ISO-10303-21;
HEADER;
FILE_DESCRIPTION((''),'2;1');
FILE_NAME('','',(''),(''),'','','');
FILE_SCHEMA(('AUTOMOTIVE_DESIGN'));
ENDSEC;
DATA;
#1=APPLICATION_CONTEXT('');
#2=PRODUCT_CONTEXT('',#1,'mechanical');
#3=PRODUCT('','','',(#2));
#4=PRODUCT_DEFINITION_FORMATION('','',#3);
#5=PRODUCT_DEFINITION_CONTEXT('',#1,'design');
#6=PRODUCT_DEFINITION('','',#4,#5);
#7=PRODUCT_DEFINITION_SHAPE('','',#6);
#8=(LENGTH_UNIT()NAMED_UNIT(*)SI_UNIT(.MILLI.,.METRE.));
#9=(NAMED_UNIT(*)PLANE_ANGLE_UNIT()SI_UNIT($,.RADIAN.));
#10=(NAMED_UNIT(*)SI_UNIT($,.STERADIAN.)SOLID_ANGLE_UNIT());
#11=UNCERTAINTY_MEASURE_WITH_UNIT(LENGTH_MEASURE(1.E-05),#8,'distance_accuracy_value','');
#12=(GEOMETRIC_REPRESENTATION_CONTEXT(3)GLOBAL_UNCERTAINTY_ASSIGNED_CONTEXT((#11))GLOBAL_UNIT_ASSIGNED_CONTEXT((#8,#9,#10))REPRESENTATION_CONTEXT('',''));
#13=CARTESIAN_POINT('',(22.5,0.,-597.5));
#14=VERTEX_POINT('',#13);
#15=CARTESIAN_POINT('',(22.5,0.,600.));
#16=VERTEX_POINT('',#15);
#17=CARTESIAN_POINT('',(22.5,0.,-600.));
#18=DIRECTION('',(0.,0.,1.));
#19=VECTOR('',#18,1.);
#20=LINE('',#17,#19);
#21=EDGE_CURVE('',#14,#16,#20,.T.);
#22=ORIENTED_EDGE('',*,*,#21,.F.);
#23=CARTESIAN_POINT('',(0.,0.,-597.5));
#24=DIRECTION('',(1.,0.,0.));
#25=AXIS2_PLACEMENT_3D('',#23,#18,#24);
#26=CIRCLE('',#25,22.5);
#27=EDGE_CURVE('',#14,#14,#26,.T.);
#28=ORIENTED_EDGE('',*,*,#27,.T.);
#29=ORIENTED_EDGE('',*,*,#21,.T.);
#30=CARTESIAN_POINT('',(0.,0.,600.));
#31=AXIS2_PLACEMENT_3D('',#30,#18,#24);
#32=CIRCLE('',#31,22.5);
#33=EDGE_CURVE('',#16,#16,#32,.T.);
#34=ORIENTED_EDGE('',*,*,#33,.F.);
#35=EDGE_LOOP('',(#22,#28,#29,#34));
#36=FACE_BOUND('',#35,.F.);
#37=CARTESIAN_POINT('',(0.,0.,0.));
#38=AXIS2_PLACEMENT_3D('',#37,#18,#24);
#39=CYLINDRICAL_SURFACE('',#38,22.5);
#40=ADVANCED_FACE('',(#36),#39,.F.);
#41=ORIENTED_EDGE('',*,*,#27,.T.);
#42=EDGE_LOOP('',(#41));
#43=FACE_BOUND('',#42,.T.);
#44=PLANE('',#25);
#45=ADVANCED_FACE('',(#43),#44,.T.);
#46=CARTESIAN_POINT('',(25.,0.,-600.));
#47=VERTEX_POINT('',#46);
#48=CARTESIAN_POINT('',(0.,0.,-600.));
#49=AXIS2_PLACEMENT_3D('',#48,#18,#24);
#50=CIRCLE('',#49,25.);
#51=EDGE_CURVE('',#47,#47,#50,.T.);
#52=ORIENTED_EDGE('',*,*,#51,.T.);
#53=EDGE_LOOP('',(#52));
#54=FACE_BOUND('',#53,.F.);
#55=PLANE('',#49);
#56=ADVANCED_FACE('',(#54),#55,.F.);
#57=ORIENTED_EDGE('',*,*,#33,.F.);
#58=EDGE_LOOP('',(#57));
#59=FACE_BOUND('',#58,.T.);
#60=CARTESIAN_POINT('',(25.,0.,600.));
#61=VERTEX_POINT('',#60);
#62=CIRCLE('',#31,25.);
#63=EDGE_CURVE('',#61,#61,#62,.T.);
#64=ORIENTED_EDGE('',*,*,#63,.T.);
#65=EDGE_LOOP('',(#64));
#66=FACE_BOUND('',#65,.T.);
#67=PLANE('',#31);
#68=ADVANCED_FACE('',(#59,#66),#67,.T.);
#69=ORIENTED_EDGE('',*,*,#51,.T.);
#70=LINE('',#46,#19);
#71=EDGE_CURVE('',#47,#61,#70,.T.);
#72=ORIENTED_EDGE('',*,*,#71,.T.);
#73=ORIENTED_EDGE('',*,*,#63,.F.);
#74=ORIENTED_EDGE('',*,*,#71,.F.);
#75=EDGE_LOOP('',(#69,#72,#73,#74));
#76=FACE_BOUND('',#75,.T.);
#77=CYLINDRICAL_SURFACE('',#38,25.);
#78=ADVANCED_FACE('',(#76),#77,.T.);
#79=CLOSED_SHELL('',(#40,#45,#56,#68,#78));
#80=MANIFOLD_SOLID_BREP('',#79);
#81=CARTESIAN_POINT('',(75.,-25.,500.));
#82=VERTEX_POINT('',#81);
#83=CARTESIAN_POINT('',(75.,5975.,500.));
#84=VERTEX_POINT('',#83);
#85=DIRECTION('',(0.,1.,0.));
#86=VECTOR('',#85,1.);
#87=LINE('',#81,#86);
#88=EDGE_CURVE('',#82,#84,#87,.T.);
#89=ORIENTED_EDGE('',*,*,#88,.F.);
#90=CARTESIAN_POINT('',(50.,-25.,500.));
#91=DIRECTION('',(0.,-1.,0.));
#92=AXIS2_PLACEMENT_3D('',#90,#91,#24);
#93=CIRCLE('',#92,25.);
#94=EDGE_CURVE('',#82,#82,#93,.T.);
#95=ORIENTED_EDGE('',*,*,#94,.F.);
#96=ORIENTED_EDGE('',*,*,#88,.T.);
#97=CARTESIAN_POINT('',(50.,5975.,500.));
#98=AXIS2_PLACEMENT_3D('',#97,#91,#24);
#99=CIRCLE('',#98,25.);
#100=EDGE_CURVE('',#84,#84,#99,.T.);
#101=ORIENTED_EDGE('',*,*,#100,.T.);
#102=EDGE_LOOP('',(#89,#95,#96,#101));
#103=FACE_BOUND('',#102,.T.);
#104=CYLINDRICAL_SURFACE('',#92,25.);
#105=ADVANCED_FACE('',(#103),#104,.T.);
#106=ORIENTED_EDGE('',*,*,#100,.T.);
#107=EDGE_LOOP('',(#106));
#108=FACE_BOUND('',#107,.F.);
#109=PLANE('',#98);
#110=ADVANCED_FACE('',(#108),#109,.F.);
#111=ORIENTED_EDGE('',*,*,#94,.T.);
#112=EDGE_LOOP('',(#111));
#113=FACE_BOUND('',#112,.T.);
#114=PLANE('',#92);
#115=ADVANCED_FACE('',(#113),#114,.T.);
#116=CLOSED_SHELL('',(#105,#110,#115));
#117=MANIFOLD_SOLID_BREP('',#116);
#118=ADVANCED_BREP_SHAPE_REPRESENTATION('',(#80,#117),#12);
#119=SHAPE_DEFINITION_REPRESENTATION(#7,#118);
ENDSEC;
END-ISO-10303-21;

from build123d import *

# Parameters (mm, degrees)
F0_R     = 25
F1_DEPTH = 600
F2_T     = -2.5
F4_R     = 25
F5_DEPTH = 6000


with BuildPart() as f1:
    # F0 (on Top) → F1 (new body, symmetric)
    with BuildSketch(Plane.XY):
        Circle(F0_R)
    extrude(amount=F1_DEPTH, both=True)

    # F2
    f2_openings = [f1.faces().sort_by_distance(p)[0] for p in [
        (0, 0, 600),
    ]]
    offset(amount=F2_T, openings=f2_openings)


with BuildPart() as f5:
    # F4 (on offset) → F5 (new body)
    with BuildSketch(Plane.XZ.offset(25)):
        with Locations((50, 500)):
            Circle(F4_R)
    extrude(amount=-F5_DEPTH)


solid = Compound([f1.part, f5.part])
